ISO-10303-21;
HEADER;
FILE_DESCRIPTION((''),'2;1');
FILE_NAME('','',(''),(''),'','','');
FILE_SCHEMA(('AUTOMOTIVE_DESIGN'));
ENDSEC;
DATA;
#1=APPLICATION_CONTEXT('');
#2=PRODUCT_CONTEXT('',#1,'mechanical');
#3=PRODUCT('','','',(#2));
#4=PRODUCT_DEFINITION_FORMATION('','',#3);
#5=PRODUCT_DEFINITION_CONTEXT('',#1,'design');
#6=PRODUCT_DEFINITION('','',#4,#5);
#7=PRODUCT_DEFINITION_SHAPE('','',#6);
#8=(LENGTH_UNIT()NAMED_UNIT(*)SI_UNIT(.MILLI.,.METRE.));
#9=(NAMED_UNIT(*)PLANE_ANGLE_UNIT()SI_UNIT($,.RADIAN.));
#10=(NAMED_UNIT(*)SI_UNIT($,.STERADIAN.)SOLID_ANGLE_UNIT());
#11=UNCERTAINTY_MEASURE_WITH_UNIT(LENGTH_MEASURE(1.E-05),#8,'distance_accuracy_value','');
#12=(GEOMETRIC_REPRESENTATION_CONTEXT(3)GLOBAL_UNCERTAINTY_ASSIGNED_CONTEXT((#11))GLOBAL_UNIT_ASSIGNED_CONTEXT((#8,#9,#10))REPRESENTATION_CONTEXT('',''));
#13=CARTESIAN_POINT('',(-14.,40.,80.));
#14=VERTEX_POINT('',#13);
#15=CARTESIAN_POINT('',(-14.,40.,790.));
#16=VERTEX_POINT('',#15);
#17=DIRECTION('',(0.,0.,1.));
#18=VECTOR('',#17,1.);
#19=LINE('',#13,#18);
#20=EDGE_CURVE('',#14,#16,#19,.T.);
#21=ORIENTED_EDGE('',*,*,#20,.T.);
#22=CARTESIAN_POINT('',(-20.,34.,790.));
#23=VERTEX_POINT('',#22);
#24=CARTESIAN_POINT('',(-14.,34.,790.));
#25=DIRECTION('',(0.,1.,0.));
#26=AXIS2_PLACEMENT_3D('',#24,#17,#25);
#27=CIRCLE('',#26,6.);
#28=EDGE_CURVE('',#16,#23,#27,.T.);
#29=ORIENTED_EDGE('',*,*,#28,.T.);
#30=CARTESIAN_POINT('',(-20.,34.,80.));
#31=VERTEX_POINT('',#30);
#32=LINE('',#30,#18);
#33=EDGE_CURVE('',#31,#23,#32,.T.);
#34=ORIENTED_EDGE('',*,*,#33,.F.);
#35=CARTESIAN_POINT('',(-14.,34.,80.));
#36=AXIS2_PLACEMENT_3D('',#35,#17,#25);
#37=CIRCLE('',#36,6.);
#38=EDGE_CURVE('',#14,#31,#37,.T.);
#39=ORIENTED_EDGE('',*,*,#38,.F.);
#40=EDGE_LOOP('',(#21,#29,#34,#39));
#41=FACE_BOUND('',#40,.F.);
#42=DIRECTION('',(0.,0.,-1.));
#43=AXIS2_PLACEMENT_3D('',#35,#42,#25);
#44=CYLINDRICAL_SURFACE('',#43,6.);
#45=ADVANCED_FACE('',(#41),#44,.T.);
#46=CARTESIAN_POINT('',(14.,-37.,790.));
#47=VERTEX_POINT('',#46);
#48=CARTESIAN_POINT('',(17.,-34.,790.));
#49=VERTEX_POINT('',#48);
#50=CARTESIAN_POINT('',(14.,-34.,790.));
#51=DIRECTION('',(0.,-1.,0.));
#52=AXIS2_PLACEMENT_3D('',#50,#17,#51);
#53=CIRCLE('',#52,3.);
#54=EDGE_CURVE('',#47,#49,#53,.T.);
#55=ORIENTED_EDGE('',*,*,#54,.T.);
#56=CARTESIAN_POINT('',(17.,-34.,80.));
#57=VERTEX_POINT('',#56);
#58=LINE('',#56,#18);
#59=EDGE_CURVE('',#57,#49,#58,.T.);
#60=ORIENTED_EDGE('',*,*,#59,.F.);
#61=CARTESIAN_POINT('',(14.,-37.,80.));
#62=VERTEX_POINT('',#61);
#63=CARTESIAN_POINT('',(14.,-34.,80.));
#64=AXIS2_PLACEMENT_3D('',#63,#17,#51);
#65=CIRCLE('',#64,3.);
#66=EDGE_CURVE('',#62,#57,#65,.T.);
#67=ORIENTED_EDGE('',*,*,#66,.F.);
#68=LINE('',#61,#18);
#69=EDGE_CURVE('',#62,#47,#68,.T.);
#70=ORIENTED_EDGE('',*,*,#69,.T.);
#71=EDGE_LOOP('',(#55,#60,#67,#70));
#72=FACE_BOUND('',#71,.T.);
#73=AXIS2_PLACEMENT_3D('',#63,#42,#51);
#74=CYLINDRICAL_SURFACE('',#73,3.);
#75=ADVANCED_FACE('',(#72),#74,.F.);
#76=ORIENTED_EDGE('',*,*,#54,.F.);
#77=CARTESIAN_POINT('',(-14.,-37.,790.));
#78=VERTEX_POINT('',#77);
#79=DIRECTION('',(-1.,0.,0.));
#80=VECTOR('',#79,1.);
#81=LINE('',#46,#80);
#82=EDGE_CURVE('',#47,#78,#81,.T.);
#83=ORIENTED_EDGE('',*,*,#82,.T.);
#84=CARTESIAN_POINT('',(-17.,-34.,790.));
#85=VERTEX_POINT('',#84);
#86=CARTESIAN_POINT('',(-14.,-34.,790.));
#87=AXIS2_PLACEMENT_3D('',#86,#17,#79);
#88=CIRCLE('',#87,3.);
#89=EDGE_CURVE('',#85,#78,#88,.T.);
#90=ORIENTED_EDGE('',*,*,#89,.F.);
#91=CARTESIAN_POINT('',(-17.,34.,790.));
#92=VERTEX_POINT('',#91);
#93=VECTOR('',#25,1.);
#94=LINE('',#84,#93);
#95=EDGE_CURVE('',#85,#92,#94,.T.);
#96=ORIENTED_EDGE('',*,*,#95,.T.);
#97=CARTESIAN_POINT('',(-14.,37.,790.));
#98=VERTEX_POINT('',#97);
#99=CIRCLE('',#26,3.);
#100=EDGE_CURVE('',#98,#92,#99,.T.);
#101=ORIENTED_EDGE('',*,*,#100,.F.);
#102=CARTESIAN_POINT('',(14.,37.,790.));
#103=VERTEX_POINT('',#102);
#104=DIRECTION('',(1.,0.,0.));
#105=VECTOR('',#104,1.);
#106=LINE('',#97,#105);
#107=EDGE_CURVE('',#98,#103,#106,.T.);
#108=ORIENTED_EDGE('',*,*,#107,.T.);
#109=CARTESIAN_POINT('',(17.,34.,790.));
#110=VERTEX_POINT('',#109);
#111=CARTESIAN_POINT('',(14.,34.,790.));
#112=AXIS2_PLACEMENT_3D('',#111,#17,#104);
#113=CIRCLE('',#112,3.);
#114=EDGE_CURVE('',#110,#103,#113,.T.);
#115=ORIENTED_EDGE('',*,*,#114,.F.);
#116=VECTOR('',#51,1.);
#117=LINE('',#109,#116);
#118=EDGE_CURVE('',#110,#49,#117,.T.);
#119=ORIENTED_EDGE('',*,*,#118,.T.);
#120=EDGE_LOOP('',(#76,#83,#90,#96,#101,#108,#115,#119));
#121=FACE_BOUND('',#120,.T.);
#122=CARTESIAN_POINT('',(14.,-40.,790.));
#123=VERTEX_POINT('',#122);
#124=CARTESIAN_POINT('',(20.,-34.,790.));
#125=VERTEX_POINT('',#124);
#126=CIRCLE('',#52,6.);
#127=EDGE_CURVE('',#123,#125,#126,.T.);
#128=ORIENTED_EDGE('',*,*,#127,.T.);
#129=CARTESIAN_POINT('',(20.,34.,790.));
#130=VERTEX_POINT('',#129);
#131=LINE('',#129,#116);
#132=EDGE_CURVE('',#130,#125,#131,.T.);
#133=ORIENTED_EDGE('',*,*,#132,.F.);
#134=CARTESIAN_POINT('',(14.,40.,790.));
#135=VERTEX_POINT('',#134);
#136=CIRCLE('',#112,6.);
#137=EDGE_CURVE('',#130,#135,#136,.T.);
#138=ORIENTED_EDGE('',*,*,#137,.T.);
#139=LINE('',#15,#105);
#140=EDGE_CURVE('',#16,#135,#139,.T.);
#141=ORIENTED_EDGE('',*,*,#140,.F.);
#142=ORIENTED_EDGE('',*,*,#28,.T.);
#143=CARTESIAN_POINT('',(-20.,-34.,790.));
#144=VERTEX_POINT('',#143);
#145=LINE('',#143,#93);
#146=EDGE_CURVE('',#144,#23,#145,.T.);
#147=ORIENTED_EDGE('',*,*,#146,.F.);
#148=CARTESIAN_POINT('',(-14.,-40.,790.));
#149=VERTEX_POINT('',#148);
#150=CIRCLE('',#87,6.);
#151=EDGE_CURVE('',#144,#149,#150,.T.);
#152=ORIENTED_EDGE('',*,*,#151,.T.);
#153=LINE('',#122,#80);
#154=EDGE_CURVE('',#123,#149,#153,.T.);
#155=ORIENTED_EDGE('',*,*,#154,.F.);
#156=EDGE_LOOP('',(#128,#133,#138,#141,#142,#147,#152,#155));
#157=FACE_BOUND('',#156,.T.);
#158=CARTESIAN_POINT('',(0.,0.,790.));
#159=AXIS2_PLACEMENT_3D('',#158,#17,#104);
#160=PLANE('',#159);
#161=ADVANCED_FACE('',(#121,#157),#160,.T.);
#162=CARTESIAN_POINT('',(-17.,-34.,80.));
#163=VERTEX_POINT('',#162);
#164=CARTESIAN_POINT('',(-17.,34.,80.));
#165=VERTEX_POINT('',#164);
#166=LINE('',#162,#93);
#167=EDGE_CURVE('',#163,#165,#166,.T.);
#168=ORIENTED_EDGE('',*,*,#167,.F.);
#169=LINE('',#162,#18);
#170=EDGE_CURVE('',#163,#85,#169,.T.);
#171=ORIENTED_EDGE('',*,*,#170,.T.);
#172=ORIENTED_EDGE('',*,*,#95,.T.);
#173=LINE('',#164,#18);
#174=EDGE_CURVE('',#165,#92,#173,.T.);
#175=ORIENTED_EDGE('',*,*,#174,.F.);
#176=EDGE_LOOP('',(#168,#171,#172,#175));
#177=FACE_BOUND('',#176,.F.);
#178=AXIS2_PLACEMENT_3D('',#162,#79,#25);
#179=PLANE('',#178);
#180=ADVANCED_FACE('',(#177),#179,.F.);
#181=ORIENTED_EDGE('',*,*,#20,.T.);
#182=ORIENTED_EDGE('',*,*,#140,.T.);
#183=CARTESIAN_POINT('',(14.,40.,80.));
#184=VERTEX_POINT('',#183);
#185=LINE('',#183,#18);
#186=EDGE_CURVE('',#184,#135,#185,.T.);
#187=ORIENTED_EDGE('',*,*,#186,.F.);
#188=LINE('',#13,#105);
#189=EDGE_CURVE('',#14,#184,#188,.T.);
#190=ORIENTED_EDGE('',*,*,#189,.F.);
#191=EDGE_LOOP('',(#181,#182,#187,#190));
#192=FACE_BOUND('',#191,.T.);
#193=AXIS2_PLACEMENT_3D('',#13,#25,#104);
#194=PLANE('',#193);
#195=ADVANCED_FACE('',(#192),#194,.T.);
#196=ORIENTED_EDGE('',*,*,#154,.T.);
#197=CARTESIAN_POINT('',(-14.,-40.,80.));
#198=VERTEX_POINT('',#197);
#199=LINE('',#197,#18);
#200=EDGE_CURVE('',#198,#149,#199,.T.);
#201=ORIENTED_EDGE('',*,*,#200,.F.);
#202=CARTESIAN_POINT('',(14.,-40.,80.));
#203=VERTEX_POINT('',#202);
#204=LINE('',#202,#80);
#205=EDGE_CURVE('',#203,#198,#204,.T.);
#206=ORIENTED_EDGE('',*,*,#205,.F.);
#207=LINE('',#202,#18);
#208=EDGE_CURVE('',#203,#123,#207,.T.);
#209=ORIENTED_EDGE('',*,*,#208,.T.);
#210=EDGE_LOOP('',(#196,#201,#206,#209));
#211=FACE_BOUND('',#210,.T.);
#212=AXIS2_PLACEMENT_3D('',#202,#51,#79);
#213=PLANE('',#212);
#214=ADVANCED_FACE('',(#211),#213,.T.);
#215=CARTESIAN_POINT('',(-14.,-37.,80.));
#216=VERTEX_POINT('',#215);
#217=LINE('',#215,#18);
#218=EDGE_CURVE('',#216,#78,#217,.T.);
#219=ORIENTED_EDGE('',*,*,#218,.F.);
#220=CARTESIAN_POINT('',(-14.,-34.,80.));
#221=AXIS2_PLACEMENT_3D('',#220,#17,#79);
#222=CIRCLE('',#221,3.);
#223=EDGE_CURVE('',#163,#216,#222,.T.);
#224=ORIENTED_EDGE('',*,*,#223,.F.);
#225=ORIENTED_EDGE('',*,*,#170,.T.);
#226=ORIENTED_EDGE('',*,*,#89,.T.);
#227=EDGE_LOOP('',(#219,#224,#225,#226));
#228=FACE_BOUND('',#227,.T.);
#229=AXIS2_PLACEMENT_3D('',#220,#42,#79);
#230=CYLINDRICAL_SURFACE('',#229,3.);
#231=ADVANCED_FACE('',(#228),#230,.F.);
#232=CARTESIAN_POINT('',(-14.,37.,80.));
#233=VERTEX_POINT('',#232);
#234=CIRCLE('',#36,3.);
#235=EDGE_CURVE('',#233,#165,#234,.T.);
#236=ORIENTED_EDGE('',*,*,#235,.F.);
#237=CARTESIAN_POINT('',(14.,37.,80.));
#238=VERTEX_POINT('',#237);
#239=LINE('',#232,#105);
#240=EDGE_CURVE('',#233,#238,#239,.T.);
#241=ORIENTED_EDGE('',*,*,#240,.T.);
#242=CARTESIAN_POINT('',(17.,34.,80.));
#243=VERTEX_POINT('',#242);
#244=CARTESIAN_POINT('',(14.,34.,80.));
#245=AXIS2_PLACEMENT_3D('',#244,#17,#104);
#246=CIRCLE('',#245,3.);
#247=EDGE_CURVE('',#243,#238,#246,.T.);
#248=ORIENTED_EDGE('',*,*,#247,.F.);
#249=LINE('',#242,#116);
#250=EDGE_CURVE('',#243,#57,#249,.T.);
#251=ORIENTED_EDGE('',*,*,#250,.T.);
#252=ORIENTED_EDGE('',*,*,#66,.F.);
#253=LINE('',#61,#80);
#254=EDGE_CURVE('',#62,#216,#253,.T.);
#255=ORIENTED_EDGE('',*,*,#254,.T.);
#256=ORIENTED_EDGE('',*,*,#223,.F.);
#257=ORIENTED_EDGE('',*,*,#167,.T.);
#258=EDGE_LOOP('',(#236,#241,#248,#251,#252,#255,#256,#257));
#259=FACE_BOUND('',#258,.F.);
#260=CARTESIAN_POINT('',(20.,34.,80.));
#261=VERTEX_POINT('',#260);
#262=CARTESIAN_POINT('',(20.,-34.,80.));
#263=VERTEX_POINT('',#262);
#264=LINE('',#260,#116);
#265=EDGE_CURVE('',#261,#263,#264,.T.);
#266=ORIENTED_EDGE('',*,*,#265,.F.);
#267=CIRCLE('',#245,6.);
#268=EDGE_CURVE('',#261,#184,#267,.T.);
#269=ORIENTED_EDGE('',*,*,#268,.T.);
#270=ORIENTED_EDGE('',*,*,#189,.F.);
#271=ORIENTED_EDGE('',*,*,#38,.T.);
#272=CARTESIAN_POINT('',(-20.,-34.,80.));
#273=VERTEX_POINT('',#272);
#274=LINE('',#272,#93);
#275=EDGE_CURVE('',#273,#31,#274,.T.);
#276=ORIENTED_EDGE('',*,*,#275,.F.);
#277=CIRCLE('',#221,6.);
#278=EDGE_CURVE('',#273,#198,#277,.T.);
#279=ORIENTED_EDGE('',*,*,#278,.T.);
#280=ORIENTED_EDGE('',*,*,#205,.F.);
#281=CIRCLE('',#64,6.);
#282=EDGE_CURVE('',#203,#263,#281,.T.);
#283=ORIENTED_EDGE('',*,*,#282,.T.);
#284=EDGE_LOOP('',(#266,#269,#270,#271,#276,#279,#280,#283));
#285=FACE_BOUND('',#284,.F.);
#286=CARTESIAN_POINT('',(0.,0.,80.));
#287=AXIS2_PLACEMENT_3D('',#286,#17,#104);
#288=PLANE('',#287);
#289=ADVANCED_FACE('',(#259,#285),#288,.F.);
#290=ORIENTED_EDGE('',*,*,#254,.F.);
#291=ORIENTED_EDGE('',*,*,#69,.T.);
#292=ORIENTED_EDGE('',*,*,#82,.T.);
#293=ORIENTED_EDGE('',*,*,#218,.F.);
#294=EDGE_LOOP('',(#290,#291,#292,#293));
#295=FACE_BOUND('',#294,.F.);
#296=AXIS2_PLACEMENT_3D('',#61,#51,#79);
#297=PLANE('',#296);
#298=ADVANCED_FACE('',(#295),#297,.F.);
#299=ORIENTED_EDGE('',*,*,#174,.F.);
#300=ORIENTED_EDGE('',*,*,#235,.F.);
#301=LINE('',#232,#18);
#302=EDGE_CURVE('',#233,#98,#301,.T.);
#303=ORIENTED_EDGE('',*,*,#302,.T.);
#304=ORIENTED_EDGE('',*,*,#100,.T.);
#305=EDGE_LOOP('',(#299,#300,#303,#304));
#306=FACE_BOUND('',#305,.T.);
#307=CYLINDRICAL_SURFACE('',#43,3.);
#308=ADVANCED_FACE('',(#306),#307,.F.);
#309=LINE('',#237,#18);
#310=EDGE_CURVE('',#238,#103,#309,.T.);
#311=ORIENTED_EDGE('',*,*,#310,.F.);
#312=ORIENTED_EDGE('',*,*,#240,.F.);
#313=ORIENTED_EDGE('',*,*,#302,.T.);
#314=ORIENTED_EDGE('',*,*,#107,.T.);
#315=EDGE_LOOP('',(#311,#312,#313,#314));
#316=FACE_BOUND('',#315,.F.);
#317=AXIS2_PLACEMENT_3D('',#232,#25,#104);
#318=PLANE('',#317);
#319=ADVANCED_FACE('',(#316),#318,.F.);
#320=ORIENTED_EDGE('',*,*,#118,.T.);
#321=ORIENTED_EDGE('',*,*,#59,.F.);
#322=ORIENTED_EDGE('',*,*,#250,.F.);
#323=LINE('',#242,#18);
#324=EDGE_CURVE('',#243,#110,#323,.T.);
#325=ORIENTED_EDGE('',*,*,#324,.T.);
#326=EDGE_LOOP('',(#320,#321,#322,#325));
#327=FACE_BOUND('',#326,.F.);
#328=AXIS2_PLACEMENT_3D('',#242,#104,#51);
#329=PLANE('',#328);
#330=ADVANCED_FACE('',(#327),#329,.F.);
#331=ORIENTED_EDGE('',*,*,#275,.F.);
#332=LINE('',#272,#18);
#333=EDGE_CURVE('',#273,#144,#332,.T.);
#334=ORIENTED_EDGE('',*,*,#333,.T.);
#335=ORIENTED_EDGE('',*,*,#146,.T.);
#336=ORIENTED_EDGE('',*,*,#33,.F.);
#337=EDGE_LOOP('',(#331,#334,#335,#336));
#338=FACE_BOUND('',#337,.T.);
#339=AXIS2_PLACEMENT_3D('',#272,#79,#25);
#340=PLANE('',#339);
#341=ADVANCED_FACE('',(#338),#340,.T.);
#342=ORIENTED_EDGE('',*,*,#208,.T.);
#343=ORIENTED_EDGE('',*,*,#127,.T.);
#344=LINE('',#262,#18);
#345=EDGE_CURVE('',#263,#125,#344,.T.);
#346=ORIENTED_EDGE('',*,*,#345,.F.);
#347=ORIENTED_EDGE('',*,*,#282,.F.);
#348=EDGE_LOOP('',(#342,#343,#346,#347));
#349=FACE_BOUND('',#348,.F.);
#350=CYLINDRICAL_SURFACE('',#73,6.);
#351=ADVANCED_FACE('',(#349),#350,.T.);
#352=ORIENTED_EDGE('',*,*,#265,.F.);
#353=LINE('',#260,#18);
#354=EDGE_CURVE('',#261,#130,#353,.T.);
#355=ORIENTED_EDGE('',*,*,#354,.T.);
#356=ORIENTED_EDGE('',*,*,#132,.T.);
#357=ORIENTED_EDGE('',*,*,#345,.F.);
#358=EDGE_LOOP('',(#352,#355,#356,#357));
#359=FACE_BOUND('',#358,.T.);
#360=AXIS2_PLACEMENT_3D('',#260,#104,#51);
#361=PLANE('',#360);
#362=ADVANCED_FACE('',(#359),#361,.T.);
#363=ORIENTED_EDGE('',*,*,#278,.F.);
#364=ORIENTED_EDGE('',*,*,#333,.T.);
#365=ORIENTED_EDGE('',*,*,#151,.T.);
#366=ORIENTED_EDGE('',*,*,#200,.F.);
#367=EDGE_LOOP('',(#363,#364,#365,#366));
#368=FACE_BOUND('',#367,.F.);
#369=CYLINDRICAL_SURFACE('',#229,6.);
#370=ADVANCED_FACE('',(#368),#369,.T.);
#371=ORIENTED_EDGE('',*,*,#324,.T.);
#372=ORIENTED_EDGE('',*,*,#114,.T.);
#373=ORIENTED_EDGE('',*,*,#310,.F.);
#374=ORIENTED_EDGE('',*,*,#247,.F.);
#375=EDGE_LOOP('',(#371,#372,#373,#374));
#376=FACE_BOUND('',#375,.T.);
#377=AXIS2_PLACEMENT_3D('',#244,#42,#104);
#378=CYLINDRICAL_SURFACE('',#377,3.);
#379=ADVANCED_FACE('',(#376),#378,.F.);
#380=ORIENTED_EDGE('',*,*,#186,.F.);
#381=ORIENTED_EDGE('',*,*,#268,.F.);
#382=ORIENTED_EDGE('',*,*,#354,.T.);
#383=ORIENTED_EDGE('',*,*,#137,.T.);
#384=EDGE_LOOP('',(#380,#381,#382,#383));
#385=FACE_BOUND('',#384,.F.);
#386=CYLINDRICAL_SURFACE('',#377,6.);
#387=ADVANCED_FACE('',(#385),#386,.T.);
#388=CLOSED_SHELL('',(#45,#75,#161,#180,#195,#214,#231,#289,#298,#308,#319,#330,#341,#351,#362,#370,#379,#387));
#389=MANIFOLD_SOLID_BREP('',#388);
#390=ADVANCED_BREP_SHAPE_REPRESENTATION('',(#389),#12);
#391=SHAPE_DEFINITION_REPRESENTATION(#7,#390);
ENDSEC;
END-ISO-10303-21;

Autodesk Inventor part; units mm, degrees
ref_plane "YZ Plane" through (0, 0, 0) normal (1, 0, 0) x (0, 1, 0)
ref_plane "Start Plane" through (0, 0, 80) normal (0, 0, 1) x (1, 0, 0)
ref_plane "End Plane" through (0, 0, 790) normal (0, 0, 1) x (1, 0, 0)
sketch "Sketch" plane through (0, 0, 0) normal (0, 0, 1) x (1, 0, 0)
  line L0 (-20, -34) -> (-20, 34)
  line L1 (-14, 40) -> (14, 40)
  line L2 (20, 34) -> (20, -34)
  line L3 (14, -40) -> (-14, -40)
  arc A0 (-20, -34) -> (-14, -40) centre (-14, -34) ccw
  arc A1 (20, 34) -> (14, 40) centre (14, 34) ccw
  arc A2 (-14, 40) -> (-20, 34) centre (-14, 34) ccw
  arc A3 (14, -40) -> (20, -34) centre (14, -34) ccw
  arc A4 (-14, 37) -> (-17, 34) centre (-14, 34) ccw
  line L4 (-14, 37) -> (14, 37)
  arc A5 (17, 34) -> (14, 37) centre (14, 34) ccw
  line L5 (17, 34) -> (17, -34)
  arc A6 (14, -37) -> (17, -34) centre (14, -34) ccw
  line L6 (14, -37) -> (-14, -37)
  arc A7 (-17, -34) -> (-14, -37) centre (-14, -34) ccw
  line L7 (-17, -34) -> (-17, 34)
  line L8 (0, 57.7397) -> (0, -57.7397) construction
  line L9 (-29.7397, 0) -> (29.7397, 0) construction
  dimension "d7" = 6
  dimension "d9" = 40
  dimension "d11" = 80
  dimension "d12" = 3
  dimension "d15" = 20
  dimension "d16" = 40
extrude "Body" add sketch "Sketch" along normal up to surface (710 mm away) from surface at 80
sketch "Sketch3" plane through (0, 0, 0) normal (0, 0, 1) x (1, 0, 0)
  line L0 (0, 0) -> (10, 0)
ref_plane "Work Plane3" through (0, 0, 0) normal (0, -1, 0) x (1, 0, 0)
sketch "Sketch4" plane through (0, 0, 0) normal (0, -1, 0) x (1, 0, 0)
  line L0 (-2, 80) -> (12, 80) projected
  line L1 (-2, 790) -> (12, 790) projected
  dimension "d18" = 710
equation "\"d7\" = G_IR"
equation "\"d9\" = G_W"
equation "\"d11\" = G_H"
equation "\"d12\" = G_T"
equation "\"d15\" = 0.5 * d9"
equation "\"d16\" = 0.5 * d11"
equation "\"d3\" = G_L"
equation "\"G_W\" = 40"
equation "\"G_H\" = 80"
equation "\"G_T\" = 3"
equation "\"G_IR\" = 6"
equation "\"G_L\" = d18"
properties part number "ISO 10799-2 - 80x40x3 - 710" material "Steel, Mild"
